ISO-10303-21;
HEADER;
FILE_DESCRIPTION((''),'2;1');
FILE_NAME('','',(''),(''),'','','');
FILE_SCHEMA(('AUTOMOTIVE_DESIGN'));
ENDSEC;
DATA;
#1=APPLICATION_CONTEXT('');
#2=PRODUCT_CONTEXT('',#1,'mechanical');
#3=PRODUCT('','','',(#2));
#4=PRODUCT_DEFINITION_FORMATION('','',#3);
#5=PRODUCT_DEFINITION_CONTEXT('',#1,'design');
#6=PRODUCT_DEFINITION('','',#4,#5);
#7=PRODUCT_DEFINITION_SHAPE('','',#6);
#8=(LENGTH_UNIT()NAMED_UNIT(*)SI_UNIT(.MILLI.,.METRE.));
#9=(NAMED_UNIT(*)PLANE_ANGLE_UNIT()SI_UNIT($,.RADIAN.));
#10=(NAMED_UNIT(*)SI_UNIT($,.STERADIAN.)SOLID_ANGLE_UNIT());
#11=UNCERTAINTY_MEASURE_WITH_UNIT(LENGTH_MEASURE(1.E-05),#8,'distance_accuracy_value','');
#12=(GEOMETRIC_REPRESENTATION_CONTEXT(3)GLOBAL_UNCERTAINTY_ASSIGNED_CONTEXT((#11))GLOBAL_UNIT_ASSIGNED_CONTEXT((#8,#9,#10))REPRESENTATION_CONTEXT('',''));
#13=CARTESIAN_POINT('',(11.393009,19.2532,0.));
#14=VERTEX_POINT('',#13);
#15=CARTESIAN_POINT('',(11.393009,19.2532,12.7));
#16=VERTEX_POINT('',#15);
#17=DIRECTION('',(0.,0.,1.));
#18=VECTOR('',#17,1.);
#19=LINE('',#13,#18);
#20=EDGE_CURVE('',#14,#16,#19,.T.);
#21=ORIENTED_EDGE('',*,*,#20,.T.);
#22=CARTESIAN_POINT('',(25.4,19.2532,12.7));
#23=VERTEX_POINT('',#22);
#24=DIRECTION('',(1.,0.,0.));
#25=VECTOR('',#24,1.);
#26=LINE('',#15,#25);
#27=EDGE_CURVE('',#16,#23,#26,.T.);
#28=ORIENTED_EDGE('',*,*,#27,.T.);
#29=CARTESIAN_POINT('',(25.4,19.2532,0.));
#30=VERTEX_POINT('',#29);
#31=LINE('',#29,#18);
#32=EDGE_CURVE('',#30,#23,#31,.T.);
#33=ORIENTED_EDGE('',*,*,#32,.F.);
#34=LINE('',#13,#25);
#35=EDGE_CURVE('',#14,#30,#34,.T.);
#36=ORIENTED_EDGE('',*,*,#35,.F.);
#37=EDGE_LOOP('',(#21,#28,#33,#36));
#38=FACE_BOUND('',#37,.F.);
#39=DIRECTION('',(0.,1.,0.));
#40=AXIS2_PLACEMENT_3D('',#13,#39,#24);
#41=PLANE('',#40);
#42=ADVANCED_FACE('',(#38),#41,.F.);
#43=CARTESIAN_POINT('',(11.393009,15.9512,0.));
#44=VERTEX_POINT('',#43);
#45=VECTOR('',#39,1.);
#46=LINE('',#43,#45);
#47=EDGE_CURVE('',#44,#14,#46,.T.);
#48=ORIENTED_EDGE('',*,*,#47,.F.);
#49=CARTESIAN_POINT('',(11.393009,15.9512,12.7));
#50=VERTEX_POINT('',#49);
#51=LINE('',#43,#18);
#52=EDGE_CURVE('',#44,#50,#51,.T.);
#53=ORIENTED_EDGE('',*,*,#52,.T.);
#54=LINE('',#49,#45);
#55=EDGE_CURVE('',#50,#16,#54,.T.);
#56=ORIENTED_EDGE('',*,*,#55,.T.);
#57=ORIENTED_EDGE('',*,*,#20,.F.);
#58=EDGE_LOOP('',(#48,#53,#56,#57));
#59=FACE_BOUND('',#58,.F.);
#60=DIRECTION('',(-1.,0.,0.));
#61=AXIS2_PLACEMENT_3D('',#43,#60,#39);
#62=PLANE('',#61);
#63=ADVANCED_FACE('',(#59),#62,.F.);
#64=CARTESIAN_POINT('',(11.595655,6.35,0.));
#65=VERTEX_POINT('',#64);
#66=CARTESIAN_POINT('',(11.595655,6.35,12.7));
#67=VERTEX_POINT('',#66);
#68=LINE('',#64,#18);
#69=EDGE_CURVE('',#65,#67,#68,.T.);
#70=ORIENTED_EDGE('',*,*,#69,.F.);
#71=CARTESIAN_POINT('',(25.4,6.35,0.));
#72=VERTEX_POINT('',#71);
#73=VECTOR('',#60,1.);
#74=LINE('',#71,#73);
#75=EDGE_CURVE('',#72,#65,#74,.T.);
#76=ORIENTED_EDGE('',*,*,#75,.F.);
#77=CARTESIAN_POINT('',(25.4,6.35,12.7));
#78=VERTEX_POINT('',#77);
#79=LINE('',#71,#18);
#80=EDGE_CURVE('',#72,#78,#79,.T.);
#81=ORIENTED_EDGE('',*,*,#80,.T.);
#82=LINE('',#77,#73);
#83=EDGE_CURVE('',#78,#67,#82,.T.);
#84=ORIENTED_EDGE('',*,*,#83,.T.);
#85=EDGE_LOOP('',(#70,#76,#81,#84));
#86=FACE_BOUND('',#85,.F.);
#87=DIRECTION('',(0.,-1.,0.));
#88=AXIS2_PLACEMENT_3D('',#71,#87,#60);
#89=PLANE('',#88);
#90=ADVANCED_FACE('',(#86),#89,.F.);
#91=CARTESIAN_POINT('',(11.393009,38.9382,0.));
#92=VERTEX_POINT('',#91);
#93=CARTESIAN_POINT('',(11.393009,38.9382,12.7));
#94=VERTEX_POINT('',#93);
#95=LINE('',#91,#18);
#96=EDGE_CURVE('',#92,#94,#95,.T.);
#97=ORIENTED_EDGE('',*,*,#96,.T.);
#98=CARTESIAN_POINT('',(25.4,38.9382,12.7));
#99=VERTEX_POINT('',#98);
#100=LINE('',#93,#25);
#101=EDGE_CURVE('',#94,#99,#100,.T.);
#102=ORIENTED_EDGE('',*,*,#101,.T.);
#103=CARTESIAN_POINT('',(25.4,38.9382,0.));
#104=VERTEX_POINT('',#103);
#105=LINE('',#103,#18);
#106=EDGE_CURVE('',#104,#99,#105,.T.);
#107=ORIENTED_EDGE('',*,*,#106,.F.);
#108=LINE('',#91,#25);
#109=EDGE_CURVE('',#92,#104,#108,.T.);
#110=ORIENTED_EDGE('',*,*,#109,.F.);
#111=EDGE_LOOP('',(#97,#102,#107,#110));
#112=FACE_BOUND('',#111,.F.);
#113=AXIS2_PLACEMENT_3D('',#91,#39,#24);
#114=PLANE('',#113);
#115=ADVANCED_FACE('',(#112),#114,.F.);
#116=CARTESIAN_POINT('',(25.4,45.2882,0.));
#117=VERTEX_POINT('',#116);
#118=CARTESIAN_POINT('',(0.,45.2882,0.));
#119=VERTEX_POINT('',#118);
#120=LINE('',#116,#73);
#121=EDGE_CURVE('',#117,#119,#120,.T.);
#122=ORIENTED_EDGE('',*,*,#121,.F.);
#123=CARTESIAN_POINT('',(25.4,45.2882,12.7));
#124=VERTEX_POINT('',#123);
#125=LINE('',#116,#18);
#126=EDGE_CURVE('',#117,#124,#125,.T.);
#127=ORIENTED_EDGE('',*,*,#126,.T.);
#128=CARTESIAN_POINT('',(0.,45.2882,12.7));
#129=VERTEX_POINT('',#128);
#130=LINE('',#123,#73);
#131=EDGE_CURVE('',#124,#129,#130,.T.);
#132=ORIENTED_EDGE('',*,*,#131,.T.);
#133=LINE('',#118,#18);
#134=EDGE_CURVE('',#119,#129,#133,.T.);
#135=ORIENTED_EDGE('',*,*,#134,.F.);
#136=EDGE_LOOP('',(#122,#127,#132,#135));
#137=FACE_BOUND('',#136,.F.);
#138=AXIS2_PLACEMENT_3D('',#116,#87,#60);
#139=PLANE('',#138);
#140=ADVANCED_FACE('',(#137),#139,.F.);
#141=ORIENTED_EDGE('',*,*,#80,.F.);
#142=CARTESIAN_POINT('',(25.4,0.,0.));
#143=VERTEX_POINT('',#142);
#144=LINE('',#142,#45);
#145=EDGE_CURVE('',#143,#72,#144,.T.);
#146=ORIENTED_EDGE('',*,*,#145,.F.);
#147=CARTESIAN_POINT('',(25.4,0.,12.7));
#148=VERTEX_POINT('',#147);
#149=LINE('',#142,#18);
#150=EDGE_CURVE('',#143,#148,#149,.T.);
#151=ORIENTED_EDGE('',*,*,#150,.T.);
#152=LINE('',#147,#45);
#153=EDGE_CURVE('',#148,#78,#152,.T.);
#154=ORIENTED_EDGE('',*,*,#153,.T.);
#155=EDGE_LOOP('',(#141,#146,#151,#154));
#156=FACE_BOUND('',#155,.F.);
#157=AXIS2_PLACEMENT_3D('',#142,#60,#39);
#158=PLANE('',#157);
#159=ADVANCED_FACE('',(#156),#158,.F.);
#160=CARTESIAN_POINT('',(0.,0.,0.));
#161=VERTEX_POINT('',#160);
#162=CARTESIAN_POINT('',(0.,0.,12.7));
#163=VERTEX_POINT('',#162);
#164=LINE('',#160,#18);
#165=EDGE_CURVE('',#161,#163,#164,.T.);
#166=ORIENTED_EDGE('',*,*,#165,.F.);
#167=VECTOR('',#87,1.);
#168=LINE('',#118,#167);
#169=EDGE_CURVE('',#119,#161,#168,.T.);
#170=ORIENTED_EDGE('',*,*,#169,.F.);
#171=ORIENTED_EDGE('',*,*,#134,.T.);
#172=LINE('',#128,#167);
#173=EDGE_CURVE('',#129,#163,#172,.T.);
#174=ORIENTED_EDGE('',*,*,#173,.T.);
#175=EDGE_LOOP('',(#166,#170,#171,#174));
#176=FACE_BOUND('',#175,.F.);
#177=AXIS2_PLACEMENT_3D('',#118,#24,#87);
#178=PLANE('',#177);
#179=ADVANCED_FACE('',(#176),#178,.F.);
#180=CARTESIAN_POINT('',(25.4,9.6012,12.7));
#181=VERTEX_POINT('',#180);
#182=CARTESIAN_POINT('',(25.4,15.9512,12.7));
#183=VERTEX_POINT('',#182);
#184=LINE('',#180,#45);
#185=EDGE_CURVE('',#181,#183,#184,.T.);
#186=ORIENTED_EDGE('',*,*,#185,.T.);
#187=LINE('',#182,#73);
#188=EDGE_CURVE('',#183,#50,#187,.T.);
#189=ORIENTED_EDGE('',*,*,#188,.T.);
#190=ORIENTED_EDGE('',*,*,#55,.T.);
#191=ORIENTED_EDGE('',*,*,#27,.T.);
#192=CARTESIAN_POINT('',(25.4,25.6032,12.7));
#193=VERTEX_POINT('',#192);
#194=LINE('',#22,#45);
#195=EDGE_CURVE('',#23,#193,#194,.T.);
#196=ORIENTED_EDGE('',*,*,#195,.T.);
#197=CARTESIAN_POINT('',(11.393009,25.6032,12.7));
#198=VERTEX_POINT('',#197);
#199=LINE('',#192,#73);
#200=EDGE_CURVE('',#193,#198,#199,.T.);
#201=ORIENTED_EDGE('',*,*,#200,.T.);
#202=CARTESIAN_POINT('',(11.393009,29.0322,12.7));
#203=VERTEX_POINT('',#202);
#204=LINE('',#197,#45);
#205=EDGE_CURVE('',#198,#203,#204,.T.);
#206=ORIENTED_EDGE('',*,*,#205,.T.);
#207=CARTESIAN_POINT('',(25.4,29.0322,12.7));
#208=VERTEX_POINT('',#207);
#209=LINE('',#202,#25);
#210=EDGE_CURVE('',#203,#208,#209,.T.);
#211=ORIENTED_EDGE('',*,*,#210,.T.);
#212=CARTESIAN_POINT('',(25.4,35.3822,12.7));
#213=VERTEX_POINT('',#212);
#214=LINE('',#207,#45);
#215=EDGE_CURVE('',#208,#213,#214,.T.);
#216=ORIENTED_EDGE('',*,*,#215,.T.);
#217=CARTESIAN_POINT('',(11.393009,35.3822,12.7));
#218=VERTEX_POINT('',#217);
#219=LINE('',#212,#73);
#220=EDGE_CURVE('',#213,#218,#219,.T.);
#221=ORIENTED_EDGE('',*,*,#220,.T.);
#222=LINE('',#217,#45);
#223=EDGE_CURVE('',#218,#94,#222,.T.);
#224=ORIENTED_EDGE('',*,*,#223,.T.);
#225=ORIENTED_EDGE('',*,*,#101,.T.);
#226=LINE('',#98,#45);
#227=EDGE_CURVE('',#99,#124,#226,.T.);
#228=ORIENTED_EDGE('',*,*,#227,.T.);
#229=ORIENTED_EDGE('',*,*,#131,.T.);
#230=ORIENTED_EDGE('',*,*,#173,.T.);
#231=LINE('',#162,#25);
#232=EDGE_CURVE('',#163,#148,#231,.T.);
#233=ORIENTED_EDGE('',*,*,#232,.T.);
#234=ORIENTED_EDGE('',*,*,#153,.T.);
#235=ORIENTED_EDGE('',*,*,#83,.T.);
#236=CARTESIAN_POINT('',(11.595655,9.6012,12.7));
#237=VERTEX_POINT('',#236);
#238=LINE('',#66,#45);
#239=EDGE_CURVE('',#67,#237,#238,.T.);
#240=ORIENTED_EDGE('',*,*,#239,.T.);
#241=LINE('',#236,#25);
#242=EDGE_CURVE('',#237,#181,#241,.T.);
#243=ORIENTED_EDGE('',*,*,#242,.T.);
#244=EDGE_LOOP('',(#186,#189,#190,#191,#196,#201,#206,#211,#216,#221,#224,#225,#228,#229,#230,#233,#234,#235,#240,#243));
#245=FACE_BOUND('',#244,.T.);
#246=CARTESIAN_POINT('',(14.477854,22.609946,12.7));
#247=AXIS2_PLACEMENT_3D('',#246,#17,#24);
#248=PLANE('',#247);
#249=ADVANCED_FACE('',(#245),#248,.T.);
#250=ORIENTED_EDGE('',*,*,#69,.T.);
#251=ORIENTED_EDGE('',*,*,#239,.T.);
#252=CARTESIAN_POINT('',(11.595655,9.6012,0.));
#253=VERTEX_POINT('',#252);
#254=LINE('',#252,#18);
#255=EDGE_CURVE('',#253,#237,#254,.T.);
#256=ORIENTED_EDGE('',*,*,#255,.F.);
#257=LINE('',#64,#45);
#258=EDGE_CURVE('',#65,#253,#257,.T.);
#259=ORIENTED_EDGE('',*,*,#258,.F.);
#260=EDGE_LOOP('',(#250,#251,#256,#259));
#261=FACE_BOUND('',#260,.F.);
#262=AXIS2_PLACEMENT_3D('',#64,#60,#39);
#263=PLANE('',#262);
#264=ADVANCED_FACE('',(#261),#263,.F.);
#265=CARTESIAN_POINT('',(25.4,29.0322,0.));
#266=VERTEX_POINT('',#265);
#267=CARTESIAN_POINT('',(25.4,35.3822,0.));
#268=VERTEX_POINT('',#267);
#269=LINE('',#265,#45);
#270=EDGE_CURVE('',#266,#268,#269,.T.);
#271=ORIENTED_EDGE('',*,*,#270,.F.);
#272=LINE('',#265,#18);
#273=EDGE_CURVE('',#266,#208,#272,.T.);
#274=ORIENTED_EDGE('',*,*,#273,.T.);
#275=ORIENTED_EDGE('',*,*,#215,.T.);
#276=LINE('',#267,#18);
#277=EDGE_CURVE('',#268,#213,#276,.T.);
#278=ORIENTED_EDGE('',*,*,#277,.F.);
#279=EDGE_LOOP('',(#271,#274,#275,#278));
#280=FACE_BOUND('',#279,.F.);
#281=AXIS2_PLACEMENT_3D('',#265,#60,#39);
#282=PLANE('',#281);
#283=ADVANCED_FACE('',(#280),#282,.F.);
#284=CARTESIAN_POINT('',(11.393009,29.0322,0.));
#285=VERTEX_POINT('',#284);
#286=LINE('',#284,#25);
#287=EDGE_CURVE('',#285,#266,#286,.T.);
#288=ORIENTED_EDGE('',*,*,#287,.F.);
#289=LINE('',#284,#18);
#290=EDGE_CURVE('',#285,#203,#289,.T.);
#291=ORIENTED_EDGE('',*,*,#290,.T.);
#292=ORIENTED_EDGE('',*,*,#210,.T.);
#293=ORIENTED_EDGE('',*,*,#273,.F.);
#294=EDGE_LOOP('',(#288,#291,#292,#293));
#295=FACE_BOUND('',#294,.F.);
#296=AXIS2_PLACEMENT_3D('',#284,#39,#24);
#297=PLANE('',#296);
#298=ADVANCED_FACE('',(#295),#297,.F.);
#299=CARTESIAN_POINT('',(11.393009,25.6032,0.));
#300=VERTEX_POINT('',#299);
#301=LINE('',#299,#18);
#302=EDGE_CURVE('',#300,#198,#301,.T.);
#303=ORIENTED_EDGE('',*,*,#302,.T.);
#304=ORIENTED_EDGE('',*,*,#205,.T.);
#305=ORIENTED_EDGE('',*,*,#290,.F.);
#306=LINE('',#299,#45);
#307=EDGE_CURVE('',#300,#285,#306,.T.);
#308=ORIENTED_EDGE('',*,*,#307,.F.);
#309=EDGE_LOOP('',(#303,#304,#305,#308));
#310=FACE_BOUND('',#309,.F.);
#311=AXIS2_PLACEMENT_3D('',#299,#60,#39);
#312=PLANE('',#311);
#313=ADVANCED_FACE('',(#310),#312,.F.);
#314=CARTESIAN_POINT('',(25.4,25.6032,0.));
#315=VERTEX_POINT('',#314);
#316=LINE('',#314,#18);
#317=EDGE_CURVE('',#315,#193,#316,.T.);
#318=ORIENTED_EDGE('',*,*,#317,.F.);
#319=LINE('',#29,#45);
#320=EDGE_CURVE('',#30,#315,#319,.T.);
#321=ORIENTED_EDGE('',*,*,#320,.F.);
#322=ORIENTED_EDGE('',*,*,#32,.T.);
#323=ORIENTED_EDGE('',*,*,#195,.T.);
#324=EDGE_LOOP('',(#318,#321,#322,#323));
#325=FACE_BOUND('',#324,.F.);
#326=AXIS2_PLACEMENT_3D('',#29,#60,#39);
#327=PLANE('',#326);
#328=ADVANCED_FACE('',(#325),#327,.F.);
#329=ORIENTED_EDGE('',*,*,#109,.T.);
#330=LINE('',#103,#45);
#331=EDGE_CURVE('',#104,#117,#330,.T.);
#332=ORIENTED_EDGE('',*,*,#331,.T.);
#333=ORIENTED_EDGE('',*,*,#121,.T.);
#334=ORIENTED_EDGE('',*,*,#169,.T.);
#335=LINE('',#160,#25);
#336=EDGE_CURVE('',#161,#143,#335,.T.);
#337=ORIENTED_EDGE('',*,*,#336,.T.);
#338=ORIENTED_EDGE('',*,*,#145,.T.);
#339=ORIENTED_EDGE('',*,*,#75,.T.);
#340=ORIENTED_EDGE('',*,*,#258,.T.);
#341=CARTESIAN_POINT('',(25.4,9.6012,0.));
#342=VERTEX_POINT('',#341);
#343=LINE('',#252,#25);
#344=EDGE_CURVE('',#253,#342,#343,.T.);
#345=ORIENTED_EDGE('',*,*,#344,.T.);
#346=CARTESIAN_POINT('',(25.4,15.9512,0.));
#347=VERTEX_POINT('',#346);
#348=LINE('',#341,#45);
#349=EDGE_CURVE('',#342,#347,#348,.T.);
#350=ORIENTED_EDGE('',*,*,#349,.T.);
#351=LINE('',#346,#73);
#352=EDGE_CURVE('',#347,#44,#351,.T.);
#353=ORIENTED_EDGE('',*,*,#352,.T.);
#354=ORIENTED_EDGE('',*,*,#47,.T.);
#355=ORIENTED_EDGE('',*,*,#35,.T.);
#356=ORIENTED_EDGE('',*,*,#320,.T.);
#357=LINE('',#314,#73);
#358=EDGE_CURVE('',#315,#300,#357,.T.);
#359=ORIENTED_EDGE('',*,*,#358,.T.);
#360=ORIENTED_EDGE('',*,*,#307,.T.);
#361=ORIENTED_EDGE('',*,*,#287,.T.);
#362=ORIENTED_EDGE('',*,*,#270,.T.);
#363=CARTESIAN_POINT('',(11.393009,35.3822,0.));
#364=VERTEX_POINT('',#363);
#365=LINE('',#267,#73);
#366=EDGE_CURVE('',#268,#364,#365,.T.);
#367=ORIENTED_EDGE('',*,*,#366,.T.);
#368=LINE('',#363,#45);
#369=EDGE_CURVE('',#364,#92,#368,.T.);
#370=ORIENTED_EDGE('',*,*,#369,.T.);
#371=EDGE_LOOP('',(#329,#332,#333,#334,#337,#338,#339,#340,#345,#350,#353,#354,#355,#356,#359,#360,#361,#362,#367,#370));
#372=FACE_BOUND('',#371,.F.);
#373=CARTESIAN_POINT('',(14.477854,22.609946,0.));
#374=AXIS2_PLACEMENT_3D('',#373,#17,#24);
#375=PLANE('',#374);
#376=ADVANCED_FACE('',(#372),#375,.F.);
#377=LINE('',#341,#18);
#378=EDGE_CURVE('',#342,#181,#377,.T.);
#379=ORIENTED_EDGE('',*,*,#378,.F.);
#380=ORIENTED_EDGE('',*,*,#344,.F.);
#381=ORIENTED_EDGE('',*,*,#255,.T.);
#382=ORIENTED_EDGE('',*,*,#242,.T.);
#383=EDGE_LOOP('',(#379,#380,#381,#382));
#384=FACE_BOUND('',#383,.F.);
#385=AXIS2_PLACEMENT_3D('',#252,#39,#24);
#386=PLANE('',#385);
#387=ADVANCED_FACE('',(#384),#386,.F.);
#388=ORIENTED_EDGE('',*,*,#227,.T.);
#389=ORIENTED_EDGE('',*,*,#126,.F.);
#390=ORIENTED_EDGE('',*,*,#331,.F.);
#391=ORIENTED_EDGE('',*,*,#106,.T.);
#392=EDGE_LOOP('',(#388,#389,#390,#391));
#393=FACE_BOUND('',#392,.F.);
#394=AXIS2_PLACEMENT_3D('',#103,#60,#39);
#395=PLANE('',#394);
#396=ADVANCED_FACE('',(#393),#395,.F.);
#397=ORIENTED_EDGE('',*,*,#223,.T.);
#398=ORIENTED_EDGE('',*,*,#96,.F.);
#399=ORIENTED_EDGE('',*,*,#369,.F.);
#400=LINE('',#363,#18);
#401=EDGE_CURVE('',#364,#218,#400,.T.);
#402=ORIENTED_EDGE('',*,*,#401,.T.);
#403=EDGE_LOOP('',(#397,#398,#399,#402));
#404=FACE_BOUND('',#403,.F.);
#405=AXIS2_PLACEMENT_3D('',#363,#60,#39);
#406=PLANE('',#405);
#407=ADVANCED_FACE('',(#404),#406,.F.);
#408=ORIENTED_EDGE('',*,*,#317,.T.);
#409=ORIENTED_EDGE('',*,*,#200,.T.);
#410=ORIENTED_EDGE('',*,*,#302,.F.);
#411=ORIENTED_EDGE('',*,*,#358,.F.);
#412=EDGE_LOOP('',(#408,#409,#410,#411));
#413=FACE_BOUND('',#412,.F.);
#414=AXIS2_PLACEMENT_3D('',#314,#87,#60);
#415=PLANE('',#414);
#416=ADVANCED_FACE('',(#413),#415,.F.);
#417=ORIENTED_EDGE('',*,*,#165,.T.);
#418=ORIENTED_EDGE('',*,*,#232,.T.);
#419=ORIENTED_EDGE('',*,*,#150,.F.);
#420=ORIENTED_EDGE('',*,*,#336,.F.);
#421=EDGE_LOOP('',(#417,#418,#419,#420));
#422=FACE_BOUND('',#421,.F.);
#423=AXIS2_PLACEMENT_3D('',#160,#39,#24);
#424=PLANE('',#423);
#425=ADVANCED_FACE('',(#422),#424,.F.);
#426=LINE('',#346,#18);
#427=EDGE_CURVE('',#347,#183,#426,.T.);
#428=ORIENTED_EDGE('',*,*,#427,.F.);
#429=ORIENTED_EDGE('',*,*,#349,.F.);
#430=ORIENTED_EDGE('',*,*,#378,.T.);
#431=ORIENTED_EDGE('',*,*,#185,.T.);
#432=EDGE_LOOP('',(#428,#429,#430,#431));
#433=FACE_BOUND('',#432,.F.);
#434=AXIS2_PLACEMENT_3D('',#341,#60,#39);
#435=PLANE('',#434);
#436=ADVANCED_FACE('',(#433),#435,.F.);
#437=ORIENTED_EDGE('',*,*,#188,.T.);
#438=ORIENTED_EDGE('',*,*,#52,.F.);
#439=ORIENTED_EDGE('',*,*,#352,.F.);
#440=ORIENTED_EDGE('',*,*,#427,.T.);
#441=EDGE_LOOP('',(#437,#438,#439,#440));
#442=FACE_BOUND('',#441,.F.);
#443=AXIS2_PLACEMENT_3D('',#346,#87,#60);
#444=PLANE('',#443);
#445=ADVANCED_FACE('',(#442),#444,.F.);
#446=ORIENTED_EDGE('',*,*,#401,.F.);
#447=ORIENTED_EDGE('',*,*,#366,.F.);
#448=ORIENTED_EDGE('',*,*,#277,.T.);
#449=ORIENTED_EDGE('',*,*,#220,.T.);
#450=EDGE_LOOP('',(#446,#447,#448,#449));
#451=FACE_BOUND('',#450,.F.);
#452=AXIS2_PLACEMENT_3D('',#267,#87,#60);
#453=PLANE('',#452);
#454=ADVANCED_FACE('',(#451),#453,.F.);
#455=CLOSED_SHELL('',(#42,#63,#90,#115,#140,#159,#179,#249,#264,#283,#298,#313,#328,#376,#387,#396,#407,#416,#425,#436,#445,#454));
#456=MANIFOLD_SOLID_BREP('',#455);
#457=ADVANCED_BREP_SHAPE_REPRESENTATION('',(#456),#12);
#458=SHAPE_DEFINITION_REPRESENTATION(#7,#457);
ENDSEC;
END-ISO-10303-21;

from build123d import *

# Parameters (mm, degrees)
F1_DEPTH = 12.7


with BuildPart() as f1:
    # F0 (on Top) → F1 (new body)
    with BuildSketch(Plane.XY):
        Polygon((0, 16.129), (0, 0), (25.4, 0), (25.4, 6.35), (11.595655, 6.35), (11.595655, 9.6012), (25.4, 9.6012), (25.4, 15.9512), (11.393009, 15.9512), (11.393009, 19.2532), (25.4, 19.2532), (25.4, 25.6032), (11.393009, 25.6032), (11.393009, 29.0322), (25.4, 29.0322), (25.4, 35.3822), (11.393009, 35.3822), (11.393009, 38.9382), (25.4, 38.9382), (25.4, 45.2882), (0, 45.2882), (0, 35.3822), align=None)
    extrude(amount=F1_DEPTH)


solid = f1.part
